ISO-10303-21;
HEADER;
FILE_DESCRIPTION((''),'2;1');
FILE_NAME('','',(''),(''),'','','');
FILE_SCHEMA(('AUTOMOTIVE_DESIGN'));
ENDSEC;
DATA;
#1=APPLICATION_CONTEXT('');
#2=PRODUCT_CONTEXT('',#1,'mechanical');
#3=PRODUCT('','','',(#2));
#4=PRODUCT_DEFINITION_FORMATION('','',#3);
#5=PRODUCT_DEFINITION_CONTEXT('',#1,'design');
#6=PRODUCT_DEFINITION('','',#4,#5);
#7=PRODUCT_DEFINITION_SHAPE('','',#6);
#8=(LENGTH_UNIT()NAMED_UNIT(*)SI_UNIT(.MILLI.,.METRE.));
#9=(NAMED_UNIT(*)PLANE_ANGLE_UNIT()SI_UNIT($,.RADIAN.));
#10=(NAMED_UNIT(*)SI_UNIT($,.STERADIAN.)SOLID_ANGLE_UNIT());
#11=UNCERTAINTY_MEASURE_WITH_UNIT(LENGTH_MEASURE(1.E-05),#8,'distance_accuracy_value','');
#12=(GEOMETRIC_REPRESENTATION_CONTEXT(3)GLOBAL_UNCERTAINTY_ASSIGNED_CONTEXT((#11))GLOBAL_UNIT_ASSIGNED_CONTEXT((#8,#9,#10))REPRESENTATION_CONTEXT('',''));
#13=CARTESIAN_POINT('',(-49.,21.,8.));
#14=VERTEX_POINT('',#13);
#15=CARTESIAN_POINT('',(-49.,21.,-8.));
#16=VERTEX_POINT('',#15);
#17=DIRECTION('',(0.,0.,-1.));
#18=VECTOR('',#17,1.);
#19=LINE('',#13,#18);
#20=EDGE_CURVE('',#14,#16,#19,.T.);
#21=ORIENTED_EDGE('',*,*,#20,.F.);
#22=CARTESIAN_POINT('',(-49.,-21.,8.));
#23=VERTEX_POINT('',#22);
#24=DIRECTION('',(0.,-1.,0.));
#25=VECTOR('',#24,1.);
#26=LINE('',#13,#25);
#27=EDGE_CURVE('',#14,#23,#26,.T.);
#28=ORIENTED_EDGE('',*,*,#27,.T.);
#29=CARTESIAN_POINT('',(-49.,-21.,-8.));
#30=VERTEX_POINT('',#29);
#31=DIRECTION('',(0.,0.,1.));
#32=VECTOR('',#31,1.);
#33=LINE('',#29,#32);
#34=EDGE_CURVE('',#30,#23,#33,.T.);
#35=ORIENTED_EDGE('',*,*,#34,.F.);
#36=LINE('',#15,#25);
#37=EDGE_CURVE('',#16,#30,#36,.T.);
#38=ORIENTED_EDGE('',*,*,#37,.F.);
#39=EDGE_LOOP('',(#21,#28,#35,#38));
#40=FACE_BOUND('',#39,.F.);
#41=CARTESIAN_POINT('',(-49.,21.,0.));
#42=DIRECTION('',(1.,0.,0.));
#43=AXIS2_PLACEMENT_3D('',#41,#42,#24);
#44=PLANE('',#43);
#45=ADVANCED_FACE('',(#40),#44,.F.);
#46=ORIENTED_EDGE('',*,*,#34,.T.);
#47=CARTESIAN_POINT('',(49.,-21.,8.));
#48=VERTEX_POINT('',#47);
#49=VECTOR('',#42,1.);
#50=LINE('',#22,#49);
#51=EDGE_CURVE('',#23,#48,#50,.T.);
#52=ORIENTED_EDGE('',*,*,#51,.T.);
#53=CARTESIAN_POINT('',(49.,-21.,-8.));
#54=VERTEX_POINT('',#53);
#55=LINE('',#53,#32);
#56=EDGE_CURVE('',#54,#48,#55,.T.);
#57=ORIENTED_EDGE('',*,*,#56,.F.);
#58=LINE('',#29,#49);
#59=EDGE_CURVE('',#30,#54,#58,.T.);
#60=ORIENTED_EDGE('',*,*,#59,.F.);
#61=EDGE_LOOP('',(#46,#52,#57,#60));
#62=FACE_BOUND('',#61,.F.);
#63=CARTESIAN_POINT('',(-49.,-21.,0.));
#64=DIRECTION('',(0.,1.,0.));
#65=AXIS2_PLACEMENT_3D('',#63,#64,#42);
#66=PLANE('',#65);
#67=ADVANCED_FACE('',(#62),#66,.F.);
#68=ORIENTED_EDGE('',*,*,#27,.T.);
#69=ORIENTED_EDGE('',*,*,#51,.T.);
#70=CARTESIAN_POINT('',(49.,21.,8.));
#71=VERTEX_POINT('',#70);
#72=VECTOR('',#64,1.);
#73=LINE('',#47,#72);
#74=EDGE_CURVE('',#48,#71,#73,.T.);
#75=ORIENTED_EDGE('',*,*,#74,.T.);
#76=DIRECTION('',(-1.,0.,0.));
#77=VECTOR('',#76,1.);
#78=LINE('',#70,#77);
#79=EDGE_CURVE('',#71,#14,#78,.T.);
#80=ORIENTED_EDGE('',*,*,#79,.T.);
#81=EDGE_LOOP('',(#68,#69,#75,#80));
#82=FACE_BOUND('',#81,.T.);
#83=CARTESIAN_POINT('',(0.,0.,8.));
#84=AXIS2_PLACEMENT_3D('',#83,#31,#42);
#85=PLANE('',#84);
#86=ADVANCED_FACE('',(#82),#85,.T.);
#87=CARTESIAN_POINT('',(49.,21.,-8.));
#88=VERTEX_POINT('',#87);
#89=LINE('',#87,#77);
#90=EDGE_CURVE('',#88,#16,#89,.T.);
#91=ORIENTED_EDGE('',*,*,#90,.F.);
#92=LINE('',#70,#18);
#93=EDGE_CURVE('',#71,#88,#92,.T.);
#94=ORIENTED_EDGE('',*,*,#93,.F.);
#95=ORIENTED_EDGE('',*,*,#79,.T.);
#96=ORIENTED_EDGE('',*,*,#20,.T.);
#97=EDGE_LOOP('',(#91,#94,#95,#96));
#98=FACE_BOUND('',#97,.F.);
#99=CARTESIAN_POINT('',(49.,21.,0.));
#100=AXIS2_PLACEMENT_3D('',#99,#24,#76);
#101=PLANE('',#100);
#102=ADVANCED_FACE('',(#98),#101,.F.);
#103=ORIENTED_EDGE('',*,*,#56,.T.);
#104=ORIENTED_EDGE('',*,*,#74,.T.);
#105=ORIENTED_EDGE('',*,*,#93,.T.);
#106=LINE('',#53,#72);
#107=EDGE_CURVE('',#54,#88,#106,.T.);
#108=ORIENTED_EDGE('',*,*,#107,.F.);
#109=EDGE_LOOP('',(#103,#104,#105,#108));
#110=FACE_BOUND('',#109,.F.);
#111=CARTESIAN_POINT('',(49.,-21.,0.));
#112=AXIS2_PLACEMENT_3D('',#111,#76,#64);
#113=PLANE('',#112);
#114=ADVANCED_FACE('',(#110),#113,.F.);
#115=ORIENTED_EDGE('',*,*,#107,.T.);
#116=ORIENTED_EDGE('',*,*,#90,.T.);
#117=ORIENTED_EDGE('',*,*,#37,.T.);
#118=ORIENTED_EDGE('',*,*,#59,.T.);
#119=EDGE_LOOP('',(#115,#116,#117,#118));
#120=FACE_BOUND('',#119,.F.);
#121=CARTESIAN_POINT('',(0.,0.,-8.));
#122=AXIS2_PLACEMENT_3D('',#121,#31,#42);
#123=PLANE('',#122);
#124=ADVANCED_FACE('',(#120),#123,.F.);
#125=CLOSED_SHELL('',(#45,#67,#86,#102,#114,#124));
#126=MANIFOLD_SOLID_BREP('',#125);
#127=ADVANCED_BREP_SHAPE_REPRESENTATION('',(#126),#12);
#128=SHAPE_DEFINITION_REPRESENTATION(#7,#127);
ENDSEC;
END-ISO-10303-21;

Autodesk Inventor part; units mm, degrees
ref_plane "YZ Plane" through (0, 0, 0) normal (1, 0, 0) x (0, 1, 0)
ref_plane "XZ Plane" through (0, 0, 0) normal (0, 1, 0) x (-1, 0, 0)
ref_plane "XY Plane" through (0, 0, 0) normal (0, 0, 1) x (1, 0, 0)
sketch "Sketch1" plane through (0, 0, 0) normal (0, 0, 1) x (1, 0, 0)
  line L0 (-49, -21) -> (49, -21)
  line L1 (49, -21) -> (49, 21)
  line L2 (49, 21) -> (-49, 21)
  line L3 (-49, 21) -> (-49, -21)
  line L4 (-49, -21) -> (49, 21) construction
  line L5 (49, -21) -> (-49, 21) construction
  point P0 (0, 0)
  dimension "d0" = 98
  dimension "d1" = 42
extrude "Extrusion1" add sketch "Sketch1" along normal mid plane 16
properties part number "LiFe Battery Blockout v0.1"
